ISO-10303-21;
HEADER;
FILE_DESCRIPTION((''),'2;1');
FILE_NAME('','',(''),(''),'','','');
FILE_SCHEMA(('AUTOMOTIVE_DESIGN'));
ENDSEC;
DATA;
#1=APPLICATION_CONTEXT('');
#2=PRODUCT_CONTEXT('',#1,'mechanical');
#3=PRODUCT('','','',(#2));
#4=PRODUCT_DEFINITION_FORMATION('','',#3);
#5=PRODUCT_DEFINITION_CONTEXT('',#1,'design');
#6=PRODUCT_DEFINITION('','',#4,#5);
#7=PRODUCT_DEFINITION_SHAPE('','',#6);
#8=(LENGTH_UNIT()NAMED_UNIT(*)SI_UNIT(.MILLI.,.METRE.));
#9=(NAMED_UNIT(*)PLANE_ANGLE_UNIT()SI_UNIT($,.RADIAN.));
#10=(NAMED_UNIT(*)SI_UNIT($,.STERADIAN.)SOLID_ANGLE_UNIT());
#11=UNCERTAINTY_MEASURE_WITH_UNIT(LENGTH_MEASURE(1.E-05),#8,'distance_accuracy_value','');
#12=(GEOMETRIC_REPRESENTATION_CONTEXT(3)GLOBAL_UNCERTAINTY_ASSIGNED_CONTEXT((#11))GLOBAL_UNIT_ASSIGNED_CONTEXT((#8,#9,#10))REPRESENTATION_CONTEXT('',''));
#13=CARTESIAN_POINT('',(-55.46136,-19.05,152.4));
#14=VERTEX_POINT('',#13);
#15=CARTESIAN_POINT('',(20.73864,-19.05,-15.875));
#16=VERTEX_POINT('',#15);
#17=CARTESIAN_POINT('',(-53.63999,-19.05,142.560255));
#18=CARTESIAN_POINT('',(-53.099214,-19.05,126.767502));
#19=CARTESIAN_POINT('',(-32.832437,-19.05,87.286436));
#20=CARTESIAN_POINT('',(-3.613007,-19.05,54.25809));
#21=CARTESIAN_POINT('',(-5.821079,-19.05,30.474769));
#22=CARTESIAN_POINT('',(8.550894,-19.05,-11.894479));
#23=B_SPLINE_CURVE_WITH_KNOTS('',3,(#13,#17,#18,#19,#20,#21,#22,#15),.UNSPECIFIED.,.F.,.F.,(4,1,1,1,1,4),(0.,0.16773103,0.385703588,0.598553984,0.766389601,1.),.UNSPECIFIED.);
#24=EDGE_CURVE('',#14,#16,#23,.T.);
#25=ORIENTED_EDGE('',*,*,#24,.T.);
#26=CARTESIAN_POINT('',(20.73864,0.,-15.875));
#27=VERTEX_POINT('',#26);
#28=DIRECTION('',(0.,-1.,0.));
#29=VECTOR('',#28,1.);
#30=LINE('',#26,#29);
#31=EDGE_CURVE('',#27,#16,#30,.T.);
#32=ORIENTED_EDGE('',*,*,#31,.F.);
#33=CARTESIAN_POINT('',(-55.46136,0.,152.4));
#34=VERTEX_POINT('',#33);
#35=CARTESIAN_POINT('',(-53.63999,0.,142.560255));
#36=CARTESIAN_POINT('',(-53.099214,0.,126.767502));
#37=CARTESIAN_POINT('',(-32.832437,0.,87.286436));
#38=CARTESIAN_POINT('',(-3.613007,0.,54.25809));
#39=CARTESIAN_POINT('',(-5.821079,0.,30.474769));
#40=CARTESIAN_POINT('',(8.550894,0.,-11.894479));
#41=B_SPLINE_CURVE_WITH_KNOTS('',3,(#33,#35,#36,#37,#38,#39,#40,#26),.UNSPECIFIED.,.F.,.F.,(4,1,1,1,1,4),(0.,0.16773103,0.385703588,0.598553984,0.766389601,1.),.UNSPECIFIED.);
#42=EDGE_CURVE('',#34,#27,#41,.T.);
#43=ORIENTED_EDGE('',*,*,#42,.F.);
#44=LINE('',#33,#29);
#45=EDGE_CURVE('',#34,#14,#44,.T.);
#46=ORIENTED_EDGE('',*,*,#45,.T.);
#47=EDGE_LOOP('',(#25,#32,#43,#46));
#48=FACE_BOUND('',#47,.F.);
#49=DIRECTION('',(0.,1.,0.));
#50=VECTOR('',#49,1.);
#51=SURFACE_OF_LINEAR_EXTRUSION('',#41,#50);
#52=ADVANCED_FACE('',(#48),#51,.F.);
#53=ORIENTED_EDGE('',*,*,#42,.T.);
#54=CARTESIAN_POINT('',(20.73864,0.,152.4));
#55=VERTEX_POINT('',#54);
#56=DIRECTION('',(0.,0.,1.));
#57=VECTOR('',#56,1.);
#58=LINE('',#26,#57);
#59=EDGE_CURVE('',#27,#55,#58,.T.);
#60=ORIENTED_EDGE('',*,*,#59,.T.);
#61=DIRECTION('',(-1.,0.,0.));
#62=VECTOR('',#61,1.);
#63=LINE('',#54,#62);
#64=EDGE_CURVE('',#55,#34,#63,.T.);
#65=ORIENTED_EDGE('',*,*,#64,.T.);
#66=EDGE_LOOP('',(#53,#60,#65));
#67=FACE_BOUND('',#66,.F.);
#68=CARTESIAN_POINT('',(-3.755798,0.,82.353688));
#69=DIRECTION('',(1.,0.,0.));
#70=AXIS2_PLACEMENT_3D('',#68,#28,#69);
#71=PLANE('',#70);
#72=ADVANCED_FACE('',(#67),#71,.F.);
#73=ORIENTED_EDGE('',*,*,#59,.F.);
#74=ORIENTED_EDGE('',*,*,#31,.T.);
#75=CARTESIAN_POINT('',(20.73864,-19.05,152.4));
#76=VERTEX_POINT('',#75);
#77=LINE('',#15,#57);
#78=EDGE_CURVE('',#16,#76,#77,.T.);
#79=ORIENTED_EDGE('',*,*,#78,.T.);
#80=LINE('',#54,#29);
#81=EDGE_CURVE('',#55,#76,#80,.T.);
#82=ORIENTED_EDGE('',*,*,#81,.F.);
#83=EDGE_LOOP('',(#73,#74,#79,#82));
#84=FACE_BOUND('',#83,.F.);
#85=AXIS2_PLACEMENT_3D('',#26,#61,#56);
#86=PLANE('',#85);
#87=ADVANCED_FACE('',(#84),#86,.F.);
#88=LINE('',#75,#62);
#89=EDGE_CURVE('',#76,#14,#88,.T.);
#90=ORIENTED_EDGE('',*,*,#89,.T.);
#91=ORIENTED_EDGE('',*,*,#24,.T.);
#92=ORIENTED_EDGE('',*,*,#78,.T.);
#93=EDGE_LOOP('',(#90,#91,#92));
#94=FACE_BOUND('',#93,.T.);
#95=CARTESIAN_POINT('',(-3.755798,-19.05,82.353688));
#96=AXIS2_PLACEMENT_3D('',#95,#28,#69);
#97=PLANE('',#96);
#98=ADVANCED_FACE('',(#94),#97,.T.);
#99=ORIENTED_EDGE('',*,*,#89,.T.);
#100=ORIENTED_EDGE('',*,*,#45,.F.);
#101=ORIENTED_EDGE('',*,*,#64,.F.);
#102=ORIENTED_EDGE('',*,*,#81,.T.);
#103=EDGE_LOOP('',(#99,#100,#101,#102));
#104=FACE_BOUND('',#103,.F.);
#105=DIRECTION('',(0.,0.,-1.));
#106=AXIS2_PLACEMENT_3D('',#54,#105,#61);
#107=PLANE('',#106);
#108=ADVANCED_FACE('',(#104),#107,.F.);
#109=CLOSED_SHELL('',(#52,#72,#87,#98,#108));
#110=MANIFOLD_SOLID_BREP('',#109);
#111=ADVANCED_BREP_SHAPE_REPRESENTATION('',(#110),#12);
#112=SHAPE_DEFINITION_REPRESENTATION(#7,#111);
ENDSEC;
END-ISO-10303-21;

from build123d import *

# Parameters (mm, degrees)
F1_DEPTH = 19.05


with BuildPart() as f1:
    # F0 (on Front) → F1 (new body)
    with BuildSketch(Plane.XZ):
        with BuildLine():
            Line((20.7386398176, 152.4), (-55.4613601824, 152.4))
            add(Edge.make_bspline(
                [(-55.4613601824, 152.4), (-53.6399899349, 142.5602545948), (-53.0992138831, 126.7675019953), (-32.8324370321, 87.2864357905), (-3.6130066078, 54.258089518), (-5.8210793709, 30.4747692471), (8.5508944352, -11.8944785826), (20.7386398176, -15.875)],
                knots=[0, 0, 0, 0, 0.1677310299, 0.3857035879, 0.5985539841, 0.7663896012, 1, 1, 1, 1], degree=3))
            Line((20.7386398176, -15.875), (20.7386398176, 152.4))
        make_face()
    extrude(amount=F1_DEPTH)


solid = f1.part
